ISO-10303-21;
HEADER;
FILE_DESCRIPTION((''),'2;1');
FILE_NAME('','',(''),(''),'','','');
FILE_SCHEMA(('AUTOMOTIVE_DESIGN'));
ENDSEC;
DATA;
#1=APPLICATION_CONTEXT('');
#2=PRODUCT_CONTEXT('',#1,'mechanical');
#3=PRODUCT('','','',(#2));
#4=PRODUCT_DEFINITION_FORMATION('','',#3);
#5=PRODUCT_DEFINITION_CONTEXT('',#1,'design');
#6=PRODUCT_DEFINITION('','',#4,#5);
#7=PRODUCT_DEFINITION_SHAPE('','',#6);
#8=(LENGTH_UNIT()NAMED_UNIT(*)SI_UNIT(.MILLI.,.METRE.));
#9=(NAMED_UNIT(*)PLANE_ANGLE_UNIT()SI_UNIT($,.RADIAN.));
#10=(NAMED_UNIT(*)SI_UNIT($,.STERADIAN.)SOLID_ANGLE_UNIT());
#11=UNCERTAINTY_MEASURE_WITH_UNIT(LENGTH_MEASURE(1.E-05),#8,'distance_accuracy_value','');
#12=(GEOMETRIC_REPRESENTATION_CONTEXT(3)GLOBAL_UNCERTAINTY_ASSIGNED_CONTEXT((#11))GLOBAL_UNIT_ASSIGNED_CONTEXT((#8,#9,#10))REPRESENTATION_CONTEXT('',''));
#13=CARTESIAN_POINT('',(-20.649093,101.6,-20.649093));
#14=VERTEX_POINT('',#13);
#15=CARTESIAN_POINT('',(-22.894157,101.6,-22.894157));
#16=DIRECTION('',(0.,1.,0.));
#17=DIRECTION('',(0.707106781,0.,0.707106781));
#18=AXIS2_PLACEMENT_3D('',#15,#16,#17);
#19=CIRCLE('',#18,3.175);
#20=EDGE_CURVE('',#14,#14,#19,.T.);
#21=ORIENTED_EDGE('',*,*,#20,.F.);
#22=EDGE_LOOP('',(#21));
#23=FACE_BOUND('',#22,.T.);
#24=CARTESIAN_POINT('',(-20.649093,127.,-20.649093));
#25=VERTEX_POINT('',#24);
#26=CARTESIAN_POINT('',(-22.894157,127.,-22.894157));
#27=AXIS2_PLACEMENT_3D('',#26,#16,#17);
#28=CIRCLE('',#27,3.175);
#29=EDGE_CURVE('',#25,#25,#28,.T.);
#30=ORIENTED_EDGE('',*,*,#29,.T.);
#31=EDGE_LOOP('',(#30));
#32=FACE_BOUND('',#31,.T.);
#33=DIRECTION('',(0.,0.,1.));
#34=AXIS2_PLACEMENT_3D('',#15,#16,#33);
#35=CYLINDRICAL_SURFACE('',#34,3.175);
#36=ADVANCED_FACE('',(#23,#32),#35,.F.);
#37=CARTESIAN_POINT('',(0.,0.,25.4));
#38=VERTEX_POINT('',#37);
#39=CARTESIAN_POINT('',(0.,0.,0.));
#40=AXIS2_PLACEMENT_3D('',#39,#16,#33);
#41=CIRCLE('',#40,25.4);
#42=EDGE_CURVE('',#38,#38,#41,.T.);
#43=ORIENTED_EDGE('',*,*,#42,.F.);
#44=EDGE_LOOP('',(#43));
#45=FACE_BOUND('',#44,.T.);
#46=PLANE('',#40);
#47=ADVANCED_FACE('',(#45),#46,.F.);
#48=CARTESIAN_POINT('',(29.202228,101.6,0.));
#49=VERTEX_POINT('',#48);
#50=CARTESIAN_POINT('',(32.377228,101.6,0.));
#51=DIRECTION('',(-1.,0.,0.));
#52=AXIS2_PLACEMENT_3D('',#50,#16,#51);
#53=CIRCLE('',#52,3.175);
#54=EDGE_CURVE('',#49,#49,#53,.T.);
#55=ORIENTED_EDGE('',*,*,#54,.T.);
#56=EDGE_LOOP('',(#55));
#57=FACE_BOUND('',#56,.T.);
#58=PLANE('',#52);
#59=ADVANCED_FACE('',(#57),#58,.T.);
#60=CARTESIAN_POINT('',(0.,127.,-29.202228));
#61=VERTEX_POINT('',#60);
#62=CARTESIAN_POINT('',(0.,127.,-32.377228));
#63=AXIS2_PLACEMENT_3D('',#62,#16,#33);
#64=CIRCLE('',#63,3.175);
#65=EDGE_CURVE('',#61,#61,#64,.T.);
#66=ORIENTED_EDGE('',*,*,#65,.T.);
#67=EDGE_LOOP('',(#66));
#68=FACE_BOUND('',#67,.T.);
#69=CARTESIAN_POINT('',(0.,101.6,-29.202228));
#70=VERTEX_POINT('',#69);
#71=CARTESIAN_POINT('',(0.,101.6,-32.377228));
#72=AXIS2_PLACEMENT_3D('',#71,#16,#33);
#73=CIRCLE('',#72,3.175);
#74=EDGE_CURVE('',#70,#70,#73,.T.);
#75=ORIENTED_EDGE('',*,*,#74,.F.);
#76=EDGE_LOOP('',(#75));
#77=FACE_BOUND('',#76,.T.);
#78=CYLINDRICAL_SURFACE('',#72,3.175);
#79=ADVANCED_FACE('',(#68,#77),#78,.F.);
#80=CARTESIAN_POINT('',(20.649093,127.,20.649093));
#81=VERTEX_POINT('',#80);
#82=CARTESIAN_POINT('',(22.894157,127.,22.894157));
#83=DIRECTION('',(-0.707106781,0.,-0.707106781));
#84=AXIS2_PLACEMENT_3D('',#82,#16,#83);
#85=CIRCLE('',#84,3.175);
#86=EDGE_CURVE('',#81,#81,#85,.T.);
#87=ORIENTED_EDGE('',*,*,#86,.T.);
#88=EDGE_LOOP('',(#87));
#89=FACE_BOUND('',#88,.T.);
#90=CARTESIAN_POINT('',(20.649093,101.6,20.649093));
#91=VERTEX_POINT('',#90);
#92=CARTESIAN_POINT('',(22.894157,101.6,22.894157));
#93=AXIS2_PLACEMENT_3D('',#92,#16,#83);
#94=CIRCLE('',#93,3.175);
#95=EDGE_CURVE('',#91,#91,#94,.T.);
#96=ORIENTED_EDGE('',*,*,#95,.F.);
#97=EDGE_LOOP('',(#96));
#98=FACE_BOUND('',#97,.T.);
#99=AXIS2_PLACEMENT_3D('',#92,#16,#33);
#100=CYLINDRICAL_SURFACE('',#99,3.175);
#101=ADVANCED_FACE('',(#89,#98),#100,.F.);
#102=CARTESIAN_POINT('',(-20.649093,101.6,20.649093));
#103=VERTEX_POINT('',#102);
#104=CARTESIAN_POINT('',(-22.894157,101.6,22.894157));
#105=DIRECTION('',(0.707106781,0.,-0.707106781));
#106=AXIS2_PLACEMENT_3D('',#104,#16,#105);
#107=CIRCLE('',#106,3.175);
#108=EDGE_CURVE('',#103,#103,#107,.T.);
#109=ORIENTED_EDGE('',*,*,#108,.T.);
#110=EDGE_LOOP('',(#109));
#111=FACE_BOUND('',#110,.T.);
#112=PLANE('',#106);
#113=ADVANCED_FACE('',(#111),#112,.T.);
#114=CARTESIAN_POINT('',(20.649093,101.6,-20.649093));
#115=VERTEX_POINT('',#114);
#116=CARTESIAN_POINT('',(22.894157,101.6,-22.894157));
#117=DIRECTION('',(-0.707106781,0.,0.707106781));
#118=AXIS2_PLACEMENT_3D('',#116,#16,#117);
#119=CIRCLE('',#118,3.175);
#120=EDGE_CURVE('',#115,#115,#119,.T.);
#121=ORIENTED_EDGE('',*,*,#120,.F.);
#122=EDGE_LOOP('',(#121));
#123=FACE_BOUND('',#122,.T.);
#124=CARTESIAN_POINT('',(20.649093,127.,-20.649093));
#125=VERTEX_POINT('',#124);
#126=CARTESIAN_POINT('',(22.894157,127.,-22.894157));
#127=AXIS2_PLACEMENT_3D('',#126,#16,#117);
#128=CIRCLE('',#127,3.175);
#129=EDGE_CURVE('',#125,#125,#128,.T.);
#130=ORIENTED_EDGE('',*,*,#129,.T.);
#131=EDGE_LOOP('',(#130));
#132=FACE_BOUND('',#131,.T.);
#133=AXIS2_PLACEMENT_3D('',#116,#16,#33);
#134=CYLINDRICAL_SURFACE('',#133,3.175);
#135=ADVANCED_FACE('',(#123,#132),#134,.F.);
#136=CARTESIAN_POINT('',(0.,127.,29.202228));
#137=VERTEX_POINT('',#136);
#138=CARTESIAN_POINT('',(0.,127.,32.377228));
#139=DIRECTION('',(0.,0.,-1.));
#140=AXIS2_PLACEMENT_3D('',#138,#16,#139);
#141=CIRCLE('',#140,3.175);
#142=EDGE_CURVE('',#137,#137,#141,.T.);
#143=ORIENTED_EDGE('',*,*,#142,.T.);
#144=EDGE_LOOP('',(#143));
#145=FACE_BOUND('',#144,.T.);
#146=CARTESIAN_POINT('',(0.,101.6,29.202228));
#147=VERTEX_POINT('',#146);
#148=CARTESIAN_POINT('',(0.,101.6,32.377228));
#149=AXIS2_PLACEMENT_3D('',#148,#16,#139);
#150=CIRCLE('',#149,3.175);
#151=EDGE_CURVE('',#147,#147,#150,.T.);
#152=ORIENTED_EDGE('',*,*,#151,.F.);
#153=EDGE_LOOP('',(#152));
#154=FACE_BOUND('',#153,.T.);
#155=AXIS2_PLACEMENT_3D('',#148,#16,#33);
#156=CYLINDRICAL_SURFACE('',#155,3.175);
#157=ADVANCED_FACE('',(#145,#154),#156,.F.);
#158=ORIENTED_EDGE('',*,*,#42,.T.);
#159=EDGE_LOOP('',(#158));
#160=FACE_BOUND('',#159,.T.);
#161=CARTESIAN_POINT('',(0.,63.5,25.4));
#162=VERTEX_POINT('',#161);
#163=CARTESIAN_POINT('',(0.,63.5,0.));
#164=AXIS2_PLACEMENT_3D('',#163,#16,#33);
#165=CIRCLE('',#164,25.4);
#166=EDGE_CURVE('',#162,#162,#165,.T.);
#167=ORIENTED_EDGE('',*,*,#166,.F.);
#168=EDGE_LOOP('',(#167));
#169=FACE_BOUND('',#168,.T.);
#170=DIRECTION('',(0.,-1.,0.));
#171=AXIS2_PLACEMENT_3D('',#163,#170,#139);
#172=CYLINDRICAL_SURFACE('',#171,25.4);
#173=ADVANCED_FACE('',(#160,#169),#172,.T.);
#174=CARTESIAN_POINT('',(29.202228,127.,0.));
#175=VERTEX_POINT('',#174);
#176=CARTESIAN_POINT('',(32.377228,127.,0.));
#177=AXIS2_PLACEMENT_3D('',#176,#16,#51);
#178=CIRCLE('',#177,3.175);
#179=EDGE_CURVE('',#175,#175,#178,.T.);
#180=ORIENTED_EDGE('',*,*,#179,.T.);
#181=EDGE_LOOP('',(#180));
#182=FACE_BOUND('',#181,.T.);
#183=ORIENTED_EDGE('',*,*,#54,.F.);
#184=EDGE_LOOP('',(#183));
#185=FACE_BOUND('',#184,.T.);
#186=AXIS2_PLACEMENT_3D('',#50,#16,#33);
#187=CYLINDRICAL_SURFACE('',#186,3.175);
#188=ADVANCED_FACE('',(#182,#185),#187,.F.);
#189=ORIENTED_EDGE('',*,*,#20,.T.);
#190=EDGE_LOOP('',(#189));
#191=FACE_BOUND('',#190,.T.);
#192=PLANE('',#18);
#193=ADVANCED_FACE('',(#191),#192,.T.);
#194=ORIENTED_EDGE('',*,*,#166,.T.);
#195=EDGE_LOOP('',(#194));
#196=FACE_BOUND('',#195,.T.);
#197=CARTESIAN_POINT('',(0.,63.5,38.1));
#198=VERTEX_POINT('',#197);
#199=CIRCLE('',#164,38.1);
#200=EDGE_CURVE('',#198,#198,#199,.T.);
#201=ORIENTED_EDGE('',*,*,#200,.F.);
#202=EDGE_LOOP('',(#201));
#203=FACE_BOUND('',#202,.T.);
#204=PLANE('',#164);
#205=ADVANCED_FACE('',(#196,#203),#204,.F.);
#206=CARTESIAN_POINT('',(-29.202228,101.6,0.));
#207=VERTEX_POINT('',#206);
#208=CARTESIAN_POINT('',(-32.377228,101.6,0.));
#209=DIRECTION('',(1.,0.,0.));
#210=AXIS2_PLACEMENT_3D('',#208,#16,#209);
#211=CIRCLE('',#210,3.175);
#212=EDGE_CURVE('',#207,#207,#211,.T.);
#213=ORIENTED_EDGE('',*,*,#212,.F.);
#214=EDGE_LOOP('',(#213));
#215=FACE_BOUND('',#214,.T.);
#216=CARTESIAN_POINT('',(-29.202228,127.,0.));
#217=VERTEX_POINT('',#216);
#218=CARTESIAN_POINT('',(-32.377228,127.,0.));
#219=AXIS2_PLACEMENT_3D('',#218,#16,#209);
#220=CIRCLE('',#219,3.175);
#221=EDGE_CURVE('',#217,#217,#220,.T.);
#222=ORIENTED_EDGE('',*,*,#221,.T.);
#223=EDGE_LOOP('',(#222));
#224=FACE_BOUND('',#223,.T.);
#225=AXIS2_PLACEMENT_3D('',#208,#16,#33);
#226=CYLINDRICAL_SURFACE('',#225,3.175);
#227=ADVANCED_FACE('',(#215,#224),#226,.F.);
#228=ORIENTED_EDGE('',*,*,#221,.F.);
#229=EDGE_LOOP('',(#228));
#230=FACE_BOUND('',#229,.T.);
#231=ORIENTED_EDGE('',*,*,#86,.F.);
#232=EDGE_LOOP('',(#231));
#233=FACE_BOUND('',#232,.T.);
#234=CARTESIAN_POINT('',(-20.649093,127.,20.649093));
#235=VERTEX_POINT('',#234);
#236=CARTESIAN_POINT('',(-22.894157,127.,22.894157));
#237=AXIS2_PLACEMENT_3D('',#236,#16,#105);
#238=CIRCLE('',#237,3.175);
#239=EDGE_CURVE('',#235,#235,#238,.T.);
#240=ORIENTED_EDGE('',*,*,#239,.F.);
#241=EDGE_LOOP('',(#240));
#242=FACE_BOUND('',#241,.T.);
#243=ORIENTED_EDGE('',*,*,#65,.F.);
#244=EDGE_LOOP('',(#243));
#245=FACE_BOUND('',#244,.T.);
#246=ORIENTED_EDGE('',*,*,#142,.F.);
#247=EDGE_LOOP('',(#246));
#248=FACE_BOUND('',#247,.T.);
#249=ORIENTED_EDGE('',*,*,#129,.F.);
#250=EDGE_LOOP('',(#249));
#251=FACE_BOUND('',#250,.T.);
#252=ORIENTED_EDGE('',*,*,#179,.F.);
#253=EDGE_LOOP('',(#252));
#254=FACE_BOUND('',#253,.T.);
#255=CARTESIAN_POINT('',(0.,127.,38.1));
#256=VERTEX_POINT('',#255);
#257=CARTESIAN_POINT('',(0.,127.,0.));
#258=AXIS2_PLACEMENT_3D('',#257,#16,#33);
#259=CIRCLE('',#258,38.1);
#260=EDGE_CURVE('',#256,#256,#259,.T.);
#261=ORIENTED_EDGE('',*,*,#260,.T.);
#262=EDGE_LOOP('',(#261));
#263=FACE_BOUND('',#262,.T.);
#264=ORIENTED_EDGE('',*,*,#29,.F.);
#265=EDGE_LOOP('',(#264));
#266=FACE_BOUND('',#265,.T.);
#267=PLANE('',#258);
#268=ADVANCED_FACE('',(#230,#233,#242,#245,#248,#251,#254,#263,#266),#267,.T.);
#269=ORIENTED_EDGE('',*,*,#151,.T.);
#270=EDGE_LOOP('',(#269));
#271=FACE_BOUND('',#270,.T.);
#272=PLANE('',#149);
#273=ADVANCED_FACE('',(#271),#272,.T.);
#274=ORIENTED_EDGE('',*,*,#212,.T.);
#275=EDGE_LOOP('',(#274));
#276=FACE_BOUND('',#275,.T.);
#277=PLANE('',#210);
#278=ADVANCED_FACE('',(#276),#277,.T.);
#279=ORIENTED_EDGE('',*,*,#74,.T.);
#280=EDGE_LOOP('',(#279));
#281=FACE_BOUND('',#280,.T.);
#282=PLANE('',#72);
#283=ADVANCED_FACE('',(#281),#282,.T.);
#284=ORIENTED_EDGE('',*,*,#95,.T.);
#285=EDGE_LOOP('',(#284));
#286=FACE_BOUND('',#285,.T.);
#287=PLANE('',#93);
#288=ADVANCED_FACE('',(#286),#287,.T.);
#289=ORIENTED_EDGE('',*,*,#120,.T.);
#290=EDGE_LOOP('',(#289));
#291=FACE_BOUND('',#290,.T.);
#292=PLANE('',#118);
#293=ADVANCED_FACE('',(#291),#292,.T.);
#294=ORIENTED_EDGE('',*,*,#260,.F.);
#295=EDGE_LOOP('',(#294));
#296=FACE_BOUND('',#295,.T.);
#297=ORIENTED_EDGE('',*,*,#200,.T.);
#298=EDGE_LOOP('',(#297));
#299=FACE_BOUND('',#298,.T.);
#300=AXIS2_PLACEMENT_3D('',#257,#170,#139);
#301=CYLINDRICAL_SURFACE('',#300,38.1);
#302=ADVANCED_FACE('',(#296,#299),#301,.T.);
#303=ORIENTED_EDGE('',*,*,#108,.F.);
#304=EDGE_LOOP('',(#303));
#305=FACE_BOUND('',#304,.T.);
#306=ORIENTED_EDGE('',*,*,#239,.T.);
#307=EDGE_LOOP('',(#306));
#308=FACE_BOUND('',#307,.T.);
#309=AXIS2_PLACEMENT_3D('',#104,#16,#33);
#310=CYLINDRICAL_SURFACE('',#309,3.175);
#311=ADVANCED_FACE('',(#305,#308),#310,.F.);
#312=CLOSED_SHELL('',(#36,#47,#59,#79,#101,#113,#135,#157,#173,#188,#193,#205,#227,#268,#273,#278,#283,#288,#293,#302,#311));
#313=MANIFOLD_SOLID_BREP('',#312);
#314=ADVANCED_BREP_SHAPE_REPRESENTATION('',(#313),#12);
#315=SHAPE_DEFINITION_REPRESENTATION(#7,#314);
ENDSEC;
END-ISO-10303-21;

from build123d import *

# Parameters (mm, degrees)
SKETCH1_R           = 25.4
BOSS_EXTRUDE1_DEPTH = 63.5
SKETCH2_R           = 38.1
BOSS_EXTRUDE2_DEPTH = 63.5
SKETCH3_R           = 3.175
CUT_EXTRUDE1_DEPTH  = 25.4
CIRPATTERN1_COUNT   = 8


with BuildPart() as part:
    # Sketch1 → Boss-Extrude1 (new body)
    with BuildSketch(Plane(origin=(0, 0, 0), x_dir=(1, 0, 0), z_dir=(0, 1, 0))):
        with Locations(Location((0, 0, 0), (0, 0, 270))):
            Circle(SKETCH1_R)
    extrude(amount=BOSS_EXTRUDE1_DEPTH)

    # Sketch2 → Boss-Extrude2 (add)
    with BuildSketch(Plane(origin=(0, 63.5, 0), x_dir=(1, 0, 0), z_dir=(0, 1, 0))):
        with Locations(Location((0, 0, 0), (0, 0, 270))):
            Circle(SKETCH2_R)
    extrude(amount=BOSS_EXTRUDE2_DEPTH)

    # Sketch3 → Cut-Extrude1 (cut)
    with BuildSketch(Plane(origin=(0, 127, 0), x_dir=(1, 0, 0), z_dir=(0, 1, 0))):
        with Locations(Location((0, 32.377227974, 0), (0, 0, 270))):
            Circle(SKETCH3_R)
    cut_extrude1 = extrude(amount=-CUT_EXTRUDE1_DEPTH, mode=Mode.SUBTRACT)

    # CirPattern1: Cut-Extrude1 ×8 about axis
    cirpattern1_axis = Axis((0, 0, 0), (0, 1, 0))
    for i in range(1, CIRPATTERN1_COUNT):
        add(cut_extrude1.rotate(cirpattern1_axis, i * 360 / CIRPATTERN1_COUNT), mode=Mode.SUBTRACT)


solid = part.part
